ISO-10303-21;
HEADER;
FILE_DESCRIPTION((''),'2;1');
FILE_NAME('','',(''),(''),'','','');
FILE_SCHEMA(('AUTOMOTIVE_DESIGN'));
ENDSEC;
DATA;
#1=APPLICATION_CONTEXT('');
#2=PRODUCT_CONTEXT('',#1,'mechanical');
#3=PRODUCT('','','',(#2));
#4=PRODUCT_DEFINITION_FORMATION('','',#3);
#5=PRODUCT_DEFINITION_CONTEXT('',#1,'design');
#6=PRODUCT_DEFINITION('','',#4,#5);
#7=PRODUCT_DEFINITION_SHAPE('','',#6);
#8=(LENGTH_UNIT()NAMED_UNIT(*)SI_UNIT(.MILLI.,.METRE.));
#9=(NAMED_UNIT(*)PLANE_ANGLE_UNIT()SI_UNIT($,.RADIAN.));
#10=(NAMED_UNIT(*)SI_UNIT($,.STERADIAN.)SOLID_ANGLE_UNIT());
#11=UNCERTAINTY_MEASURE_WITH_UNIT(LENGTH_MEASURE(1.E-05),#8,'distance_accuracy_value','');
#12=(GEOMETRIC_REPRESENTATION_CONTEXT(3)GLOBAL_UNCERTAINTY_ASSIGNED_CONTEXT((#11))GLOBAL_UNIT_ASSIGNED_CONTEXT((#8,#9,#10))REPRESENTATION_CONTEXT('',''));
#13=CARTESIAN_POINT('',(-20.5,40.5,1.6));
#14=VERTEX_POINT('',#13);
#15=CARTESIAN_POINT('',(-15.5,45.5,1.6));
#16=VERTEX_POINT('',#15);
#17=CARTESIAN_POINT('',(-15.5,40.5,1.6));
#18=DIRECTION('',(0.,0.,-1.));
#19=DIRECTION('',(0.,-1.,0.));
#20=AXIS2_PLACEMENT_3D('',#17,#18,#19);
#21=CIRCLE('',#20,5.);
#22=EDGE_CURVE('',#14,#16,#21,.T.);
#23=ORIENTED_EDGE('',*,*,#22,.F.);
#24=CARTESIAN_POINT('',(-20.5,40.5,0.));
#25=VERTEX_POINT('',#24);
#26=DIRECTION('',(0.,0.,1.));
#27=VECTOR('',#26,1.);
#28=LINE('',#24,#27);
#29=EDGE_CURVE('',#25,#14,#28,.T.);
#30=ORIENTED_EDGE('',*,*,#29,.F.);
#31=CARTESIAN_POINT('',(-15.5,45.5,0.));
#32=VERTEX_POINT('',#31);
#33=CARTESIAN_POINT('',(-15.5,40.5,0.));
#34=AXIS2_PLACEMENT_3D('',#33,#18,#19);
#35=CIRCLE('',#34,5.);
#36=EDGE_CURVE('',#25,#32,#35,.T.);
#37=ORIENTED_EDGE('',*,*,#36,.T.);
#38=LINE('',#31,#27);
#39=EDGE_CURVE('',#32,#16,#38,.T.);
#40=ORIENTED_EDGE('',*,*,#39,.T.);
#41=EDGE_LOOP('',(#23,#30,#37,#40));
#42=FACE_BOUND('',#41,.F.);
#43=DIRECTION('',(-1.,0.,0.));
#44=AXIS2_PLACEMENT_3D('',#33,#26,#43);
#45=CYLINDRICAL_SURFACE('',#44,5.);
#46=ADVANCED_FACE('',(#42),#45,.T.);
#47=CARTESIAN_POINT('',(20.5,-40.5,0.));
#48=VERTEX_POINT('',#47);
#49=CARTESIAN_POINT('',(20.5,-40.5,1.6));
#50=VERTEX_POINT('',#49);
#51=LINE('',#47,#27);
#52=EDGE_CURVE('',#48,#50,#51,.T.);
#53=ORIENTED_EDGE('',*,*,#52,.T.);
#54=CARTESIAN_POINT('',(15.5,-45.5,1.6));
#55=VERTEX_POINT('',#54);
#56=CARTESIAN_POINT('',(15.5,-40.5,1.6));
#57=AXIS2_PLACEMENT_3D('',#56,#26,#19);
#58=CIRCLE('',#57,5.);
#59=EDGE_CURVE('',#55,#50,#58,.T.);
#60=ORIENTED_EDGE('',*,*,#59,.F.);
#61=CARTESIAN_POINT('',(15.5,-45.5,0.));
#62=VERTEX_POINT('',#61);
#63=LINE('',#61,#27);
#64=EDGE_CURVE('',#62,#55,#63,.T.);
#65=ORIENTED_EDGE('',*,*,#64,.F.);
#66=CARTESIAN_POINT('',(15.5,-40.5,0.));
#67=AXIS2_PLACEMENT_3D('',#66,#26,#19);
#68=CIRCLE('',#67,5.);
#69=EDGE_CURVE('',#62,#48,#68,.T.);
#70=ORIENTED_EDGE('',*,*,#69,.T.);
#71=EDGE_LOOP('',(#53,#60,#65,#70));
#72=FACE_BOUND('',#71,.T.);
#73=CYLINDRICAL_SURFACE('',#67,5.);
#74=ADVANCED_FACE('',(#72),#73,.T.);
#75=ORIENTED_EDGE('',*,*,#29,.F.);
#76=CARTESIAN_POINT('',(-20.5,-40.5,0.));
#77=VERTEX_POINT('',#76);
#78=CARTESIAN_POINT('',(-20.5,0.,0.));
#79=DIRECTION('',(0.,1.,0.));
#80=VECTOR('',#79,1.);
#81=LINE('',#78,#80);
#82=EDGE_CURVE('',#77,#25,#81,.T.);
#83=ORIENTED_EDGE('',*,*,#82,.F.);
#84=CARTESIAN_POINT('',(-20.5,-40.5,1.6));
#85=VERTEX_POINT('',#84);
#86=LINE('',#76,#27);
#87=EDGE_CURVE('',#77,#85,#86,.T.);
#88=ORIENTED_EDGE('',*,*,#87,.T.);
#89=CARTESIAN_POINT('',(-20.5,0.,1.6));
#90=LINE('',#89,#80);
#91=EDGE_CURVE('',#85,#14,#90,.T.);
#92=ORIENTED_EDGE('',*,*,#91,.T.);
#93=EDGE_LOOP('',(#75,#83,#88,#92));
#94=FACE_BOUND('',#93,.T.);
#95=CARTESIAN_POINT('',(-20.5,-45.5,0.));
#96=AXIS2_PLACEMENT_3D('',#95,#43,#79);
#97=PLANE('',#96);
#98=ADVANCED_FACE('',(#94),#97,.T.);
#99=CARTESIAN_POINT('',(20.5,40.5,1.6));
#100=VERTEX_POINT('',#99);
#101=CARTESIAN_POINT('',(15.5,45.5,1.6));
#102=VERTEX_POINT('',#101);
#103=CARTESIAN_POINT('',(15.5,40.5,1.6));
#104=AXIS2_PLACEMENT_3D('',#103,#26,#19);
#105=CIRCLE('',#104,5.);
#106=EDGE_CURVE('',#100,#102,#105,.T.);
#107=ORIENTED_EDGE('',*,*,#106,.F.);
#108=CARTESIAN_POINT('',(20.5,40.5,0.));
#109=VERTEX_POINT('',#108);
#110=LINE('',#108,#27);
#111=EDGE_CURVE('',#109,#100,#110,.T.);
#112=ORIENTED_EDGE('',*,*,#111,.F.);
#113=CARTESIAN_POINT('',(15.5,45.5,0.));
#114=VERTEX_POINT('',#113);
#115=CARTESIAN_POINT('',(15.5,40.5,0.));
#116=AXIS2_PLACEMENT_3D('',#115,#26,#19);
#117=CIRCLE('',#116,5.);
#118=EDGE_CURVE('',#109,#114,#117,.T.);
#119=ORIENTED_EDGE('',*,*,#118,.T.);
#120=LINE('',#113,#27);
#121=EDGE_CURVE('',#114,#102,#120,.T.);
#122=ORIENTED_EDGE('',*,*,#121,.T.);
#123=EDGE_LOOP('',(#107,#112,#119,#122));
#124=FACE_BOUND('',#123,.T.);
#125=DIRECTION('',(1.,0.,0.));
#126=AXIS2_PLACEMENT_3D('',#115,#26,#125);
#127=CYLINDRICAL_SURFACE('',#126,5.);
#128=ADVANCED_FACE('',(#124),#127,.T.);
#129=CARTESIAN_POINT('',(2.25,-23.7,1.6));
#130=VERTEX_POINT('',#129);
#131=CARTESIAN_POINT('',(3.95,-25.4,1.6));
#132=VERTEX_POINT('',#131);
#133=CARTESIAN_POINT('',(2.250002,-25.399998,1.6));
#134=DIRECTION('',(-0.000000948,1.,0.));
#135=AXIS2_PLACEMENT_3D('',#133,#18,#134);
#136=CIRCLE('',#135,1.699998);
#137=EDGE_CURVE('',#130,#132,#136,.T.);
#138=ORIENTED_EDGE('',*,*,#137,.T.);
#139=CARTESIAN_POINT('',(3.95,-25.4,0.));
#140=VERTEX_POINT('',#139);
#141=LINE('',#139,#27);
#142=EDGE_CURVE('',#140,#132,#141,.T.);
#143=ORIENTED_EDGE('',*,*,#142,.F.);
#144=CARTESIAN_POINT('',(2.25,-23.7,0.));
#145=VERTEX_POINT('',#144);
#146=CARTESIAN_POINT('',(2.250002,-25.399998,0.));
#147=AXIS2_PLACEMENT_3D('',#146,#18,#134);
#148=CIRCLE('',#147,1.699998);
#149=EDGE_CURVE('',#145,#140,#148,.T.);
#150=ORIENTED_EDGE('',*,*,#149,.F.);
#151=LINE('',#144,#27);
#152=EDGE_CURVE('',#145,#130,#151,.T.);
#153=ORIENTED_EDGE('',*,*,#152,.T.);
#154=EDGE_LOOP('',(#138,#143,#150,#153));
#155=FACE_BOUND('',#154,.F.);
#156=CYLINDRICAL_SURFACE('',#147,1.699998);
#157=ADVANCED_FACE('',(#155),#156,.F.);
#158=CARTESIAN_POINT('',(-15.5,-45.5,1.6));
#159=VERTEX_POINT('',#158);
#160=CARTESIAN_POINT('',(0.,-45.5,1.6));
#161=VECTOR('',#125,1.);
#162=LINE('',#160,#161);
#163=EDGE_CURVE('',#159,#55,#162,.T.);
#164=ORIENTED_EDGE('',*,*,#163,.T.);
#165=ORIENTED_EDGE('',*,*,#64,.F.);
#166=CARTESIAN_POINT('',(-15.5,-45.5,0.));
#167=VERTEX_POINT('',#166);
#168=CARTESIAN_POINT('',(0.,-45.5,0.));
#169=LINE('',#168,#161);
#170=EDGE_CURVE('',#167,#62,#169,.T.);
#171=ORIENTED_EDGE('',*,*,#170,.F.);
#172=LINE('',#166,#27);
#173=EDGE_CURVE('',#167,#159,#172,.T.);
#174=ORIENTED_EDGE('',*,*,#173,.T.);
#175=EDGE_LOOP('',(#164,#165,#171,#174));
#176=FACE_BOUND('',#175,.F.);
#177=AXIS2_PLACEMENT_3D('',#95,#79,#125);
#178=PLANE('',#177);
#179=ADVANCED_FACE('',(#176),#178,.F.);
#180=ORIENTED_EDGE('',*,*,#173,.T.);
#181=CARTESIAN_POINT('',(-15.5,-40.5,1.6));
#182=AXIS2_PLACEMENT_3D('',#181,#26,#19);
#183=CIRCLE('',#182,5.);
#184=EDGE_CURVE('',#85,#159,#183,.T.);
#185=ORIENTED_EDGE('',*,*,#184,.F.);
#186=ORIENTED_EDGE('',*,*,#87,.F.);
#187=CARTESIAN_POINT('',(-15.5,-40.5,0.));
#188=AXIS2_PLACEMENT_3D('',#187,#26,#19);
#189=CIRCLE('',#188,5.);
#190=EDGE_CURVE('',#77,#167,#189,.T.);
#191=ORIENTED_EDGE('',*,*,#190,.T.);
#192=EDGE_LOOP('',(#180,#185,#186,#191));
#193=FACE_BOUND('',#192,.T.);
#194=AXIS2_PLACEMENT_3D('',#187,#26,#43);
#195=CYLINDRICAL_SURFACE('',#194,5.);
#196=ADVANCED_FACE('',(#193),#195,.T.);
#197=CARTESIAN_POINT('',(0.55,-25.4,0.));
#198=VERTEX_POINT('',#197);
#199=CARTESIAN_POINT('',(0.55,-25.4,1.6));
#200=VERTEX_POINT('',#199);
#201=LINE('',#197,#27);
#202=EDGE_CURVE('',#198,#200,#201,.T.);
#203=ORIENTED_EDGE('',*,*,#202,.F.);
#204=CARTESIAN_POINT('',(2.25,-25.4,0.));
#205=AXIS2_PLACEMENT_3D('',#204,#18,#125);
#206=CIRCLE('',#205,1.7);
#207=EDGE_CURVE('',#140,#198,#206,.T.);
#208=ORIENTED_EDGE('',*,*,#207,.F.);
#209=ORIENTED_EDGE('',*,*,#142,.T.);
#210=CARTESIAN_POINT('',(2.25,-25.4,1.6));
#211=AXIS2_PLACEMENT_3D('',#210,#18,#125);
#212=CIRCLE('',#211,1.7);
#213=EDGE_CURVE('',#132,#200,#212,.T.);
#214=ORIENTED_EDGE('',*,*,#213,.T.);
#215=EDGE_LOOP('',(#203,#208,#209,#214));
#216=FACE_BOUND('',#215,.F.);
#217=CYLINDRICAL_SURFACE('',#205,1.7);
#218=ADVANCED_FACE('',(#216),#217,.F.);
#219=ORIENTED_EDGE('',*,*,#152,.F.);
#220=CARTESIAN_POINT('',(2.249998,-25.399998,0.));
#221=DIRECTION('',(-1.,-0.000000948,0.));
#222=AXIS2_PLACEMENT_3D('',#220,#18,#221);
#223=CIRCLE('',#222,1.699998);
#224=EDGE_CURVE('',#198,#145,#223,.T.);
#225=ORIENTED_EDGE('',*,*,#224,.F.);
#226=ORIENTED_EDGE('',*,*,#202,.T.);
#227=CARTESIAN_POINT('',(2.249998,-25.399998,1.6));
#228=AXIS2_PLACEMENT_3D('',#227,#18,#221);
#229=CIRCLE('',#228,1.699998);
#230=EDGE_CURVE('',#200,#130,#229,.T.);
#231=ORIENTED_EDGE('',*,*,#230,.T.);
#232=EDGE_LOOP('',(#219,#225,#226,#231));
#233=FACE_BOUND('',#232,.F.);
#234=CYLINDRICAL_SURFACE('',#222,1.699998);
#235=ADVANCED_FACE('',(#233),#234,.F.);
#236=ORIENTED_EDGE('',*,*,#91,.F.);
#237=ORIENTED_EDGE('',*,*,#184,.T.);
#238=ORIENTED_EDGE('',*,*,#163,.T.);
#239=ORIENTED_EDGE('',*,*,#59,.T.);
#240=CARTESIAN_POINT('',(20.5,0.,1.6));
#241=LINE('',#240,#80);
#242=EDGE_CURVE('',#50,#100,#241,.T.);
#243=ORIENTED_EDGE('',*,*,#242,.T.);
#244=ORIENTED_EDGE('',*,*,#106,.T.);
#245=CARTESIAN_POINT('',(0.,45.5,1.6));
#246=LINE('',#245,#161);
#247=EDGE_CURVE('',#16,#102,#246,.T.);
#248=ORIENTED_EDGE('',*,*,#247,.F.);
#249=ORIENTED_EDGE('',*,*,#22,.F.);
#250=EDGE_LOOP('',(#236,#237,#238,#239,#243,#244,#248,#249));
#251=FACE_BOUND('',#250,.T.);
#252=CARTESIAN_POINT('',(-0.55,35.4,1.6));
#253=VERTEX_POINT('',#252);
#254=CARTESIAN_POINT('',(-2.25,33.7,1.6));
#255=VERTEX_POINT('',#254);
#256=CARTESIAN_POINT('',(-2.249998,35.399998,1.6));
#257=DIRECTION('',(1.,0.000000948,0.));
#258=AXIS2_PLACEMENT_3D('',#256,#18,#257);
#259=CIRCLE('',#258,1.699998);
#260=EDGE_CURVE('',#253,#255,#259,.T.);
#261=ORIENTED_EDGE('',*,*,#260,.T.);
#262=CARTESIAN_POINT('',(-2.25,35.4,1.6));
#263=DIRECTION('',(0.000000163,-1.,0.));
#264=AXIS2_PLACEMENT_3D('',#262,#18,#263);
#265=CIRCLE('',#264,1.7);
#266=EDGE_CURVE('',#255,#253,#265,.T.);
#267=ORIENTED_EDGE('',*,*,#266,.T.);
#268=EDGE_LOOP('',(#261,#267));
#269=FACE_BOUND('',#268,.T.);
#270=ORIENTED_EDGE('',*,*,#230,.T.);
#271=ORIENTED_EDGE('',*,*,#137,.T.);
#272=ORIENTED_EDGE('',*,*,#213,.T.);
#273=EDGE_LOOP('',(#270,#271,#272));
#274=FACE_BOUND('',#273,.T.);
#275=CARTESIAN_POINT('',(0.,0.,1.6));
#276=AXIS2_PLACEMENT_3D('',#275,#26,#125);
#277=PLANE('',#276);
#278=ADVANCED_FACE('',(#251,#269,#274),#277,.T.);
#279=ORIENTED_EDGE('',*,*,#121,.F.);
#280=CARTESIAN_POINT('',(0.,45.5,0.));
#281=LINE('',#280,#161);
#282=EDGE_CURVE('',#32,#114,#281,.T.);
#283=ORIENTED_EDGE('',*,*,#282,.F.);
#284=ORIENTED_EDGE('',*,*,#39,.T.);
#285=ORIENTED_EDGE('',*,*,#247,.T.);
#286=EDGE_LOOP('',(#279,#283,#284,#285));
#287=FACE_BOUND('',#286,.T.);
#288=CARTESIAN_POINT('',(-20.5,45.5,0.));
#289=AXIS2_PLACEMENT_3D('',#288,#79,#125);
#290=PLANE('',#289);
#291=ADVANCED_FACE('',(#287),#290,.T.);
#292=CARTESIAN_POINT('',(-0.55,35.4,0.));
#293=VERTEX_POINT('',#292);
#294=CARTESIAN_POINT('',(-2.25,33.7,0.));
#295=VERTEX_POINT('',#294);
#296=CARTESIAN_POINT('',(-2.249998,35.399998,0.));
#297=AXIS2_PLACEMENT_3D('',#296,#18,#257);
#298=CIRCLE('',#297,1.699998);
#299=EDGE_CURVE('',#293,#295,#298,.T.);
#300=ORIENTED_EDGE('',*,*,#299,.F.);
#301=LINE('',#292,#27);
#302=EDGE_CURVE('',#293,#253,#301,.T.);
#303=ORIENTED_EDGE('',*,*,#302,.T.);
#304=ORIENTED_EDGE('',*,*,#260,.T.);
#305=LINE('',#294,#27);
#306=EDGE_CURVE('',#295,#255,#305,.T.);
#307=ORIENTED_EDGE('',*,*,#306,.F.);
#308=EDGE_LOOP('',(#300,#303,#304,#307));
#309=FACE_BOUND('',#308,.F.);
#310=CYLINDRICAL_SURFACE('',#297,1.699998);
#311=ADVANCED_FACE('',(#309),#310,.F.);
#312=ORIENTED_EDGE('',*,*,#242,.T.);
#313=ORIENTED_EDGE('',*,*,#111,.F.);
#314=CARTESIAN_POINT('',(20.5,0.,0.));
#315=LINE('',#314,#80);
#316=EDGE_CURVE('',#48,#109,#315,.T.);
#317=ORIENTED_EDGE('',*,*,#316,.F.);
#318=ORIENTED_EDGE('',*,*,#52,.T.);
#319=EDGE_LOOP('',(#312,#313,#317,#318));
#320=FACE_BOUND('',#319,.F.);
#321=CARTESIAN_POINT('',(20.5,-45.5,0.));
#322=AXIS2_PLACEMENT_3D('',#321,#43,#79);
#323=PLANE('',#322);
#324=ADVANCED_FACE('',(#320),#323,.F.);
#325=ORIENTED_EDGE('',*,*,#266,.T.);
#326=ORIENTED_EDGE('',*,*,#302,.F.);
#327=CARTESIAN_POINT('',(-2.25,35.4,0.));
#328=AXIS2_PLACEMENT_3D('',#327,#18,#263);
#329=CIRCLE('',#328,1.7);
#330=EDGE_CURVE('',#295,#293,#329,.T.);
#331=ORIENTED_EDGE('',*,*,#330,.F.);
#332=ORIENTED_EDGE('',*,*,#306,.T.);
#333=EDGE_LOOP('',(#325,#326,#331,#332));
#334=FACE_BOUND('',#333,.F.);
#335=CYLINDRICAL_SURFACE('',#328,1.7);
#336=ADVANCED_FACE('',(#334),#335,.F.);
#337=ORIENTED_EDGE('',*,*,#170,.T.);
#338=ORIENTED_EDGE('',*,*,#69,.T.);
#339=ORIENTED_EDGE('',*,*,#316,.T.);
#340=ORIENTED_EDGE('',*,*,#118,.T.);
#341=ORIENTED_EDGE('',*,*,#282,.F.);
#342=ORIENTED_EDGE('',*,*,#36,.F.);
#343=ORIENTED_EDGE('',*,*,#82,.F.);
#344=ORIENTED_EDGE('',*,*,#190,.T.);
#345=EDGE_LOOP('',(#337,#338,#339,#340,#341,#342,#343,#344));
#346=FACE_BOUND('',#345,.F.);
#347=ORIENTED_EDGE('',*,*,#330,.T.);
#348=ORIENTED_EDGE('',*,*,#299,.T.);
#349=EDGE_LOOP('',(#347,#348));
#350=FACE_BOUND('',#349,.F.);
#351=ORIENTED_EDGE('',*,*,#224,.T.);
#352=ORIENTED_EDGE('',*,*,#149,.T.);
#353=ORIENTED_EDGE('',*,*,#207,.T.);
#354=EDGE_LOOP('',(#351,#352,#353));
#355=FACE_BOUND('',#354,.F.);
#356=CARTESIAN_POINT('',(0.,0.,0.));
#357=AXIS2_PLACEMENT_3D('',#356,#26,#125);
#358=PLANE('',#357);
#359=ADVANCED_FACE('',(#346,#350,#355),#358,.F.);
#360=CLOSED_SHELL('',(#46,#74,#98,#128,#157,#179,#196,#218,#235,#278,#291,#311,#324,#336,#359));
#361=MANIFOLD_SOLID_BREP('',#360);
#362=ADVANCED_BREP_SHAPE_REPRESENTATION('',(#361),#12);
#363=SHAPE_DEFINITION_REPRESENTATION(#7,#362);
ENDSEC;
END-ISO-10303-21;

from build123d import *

# Parameters (mm, degrees)
F0_W     = 41
F0_H     = 91
F1_DEPTH = 1.6
F2_R     = 5


with BuildPart() as f1:
    # F0 (on Top) → F1 (new body)
    with BuildSketch(Plane.XY):
        Rectangle(F0_W, F0_H)
        with BuildLine():
            ThreePointArc((-2.25, 33.7), (-3.452082, 36.602082), (-0.55, 35.4))
            Line((-0.55, 35.4), (2.25, 35.4))
            Line((2.25, 35.4), (2.25, -23.7))
            ThreePointArc((2.25, -23.7), (3.452082, -24.197918), (3.95, -25.4))
            ThreePointArc((3.95, -25.4), (2.25, -27.1), (0.55, -25.4))
            Line((0.55, -25.4), (-2.25, -25.4))
            Line((-2.25, -25.4), (-2.25, 33.7))
        make_face(mode=Mode.SUBTRACT)
        with BuildLine():
            Line((2.25, 35.4), (-0.55, 35.4))
            ThreePointArc((-0.55, 35.4), (-1.047918, 34.197918), (-2.25, 33.7))
            Line((-2.25, 33.7), (-2.25, -25.4))
            Line((-2.25, -25.4), (0.55, -25.4))
            ThreePointArc((0.55, -25.4), (1.047918, -24.197918), (2.25, -23.7))
            Line((2.25, -23.7), (2.25, 35.4))
        make_face()
    extrude(amount=F1_DEPTH)

    # F2
    f2_edges = [f1.edges().sort_by_distance(p)[0] for p in [
        (-20.5, 45.5, 0.8),
        (20.5, 45.5, 0.8),
        (20.5, -45.5, 0.8),
        (-20.5, -45.5, 0.8),
    ]]
    fillet(f2_edges, radius=F2_R)


solid = f1.part
